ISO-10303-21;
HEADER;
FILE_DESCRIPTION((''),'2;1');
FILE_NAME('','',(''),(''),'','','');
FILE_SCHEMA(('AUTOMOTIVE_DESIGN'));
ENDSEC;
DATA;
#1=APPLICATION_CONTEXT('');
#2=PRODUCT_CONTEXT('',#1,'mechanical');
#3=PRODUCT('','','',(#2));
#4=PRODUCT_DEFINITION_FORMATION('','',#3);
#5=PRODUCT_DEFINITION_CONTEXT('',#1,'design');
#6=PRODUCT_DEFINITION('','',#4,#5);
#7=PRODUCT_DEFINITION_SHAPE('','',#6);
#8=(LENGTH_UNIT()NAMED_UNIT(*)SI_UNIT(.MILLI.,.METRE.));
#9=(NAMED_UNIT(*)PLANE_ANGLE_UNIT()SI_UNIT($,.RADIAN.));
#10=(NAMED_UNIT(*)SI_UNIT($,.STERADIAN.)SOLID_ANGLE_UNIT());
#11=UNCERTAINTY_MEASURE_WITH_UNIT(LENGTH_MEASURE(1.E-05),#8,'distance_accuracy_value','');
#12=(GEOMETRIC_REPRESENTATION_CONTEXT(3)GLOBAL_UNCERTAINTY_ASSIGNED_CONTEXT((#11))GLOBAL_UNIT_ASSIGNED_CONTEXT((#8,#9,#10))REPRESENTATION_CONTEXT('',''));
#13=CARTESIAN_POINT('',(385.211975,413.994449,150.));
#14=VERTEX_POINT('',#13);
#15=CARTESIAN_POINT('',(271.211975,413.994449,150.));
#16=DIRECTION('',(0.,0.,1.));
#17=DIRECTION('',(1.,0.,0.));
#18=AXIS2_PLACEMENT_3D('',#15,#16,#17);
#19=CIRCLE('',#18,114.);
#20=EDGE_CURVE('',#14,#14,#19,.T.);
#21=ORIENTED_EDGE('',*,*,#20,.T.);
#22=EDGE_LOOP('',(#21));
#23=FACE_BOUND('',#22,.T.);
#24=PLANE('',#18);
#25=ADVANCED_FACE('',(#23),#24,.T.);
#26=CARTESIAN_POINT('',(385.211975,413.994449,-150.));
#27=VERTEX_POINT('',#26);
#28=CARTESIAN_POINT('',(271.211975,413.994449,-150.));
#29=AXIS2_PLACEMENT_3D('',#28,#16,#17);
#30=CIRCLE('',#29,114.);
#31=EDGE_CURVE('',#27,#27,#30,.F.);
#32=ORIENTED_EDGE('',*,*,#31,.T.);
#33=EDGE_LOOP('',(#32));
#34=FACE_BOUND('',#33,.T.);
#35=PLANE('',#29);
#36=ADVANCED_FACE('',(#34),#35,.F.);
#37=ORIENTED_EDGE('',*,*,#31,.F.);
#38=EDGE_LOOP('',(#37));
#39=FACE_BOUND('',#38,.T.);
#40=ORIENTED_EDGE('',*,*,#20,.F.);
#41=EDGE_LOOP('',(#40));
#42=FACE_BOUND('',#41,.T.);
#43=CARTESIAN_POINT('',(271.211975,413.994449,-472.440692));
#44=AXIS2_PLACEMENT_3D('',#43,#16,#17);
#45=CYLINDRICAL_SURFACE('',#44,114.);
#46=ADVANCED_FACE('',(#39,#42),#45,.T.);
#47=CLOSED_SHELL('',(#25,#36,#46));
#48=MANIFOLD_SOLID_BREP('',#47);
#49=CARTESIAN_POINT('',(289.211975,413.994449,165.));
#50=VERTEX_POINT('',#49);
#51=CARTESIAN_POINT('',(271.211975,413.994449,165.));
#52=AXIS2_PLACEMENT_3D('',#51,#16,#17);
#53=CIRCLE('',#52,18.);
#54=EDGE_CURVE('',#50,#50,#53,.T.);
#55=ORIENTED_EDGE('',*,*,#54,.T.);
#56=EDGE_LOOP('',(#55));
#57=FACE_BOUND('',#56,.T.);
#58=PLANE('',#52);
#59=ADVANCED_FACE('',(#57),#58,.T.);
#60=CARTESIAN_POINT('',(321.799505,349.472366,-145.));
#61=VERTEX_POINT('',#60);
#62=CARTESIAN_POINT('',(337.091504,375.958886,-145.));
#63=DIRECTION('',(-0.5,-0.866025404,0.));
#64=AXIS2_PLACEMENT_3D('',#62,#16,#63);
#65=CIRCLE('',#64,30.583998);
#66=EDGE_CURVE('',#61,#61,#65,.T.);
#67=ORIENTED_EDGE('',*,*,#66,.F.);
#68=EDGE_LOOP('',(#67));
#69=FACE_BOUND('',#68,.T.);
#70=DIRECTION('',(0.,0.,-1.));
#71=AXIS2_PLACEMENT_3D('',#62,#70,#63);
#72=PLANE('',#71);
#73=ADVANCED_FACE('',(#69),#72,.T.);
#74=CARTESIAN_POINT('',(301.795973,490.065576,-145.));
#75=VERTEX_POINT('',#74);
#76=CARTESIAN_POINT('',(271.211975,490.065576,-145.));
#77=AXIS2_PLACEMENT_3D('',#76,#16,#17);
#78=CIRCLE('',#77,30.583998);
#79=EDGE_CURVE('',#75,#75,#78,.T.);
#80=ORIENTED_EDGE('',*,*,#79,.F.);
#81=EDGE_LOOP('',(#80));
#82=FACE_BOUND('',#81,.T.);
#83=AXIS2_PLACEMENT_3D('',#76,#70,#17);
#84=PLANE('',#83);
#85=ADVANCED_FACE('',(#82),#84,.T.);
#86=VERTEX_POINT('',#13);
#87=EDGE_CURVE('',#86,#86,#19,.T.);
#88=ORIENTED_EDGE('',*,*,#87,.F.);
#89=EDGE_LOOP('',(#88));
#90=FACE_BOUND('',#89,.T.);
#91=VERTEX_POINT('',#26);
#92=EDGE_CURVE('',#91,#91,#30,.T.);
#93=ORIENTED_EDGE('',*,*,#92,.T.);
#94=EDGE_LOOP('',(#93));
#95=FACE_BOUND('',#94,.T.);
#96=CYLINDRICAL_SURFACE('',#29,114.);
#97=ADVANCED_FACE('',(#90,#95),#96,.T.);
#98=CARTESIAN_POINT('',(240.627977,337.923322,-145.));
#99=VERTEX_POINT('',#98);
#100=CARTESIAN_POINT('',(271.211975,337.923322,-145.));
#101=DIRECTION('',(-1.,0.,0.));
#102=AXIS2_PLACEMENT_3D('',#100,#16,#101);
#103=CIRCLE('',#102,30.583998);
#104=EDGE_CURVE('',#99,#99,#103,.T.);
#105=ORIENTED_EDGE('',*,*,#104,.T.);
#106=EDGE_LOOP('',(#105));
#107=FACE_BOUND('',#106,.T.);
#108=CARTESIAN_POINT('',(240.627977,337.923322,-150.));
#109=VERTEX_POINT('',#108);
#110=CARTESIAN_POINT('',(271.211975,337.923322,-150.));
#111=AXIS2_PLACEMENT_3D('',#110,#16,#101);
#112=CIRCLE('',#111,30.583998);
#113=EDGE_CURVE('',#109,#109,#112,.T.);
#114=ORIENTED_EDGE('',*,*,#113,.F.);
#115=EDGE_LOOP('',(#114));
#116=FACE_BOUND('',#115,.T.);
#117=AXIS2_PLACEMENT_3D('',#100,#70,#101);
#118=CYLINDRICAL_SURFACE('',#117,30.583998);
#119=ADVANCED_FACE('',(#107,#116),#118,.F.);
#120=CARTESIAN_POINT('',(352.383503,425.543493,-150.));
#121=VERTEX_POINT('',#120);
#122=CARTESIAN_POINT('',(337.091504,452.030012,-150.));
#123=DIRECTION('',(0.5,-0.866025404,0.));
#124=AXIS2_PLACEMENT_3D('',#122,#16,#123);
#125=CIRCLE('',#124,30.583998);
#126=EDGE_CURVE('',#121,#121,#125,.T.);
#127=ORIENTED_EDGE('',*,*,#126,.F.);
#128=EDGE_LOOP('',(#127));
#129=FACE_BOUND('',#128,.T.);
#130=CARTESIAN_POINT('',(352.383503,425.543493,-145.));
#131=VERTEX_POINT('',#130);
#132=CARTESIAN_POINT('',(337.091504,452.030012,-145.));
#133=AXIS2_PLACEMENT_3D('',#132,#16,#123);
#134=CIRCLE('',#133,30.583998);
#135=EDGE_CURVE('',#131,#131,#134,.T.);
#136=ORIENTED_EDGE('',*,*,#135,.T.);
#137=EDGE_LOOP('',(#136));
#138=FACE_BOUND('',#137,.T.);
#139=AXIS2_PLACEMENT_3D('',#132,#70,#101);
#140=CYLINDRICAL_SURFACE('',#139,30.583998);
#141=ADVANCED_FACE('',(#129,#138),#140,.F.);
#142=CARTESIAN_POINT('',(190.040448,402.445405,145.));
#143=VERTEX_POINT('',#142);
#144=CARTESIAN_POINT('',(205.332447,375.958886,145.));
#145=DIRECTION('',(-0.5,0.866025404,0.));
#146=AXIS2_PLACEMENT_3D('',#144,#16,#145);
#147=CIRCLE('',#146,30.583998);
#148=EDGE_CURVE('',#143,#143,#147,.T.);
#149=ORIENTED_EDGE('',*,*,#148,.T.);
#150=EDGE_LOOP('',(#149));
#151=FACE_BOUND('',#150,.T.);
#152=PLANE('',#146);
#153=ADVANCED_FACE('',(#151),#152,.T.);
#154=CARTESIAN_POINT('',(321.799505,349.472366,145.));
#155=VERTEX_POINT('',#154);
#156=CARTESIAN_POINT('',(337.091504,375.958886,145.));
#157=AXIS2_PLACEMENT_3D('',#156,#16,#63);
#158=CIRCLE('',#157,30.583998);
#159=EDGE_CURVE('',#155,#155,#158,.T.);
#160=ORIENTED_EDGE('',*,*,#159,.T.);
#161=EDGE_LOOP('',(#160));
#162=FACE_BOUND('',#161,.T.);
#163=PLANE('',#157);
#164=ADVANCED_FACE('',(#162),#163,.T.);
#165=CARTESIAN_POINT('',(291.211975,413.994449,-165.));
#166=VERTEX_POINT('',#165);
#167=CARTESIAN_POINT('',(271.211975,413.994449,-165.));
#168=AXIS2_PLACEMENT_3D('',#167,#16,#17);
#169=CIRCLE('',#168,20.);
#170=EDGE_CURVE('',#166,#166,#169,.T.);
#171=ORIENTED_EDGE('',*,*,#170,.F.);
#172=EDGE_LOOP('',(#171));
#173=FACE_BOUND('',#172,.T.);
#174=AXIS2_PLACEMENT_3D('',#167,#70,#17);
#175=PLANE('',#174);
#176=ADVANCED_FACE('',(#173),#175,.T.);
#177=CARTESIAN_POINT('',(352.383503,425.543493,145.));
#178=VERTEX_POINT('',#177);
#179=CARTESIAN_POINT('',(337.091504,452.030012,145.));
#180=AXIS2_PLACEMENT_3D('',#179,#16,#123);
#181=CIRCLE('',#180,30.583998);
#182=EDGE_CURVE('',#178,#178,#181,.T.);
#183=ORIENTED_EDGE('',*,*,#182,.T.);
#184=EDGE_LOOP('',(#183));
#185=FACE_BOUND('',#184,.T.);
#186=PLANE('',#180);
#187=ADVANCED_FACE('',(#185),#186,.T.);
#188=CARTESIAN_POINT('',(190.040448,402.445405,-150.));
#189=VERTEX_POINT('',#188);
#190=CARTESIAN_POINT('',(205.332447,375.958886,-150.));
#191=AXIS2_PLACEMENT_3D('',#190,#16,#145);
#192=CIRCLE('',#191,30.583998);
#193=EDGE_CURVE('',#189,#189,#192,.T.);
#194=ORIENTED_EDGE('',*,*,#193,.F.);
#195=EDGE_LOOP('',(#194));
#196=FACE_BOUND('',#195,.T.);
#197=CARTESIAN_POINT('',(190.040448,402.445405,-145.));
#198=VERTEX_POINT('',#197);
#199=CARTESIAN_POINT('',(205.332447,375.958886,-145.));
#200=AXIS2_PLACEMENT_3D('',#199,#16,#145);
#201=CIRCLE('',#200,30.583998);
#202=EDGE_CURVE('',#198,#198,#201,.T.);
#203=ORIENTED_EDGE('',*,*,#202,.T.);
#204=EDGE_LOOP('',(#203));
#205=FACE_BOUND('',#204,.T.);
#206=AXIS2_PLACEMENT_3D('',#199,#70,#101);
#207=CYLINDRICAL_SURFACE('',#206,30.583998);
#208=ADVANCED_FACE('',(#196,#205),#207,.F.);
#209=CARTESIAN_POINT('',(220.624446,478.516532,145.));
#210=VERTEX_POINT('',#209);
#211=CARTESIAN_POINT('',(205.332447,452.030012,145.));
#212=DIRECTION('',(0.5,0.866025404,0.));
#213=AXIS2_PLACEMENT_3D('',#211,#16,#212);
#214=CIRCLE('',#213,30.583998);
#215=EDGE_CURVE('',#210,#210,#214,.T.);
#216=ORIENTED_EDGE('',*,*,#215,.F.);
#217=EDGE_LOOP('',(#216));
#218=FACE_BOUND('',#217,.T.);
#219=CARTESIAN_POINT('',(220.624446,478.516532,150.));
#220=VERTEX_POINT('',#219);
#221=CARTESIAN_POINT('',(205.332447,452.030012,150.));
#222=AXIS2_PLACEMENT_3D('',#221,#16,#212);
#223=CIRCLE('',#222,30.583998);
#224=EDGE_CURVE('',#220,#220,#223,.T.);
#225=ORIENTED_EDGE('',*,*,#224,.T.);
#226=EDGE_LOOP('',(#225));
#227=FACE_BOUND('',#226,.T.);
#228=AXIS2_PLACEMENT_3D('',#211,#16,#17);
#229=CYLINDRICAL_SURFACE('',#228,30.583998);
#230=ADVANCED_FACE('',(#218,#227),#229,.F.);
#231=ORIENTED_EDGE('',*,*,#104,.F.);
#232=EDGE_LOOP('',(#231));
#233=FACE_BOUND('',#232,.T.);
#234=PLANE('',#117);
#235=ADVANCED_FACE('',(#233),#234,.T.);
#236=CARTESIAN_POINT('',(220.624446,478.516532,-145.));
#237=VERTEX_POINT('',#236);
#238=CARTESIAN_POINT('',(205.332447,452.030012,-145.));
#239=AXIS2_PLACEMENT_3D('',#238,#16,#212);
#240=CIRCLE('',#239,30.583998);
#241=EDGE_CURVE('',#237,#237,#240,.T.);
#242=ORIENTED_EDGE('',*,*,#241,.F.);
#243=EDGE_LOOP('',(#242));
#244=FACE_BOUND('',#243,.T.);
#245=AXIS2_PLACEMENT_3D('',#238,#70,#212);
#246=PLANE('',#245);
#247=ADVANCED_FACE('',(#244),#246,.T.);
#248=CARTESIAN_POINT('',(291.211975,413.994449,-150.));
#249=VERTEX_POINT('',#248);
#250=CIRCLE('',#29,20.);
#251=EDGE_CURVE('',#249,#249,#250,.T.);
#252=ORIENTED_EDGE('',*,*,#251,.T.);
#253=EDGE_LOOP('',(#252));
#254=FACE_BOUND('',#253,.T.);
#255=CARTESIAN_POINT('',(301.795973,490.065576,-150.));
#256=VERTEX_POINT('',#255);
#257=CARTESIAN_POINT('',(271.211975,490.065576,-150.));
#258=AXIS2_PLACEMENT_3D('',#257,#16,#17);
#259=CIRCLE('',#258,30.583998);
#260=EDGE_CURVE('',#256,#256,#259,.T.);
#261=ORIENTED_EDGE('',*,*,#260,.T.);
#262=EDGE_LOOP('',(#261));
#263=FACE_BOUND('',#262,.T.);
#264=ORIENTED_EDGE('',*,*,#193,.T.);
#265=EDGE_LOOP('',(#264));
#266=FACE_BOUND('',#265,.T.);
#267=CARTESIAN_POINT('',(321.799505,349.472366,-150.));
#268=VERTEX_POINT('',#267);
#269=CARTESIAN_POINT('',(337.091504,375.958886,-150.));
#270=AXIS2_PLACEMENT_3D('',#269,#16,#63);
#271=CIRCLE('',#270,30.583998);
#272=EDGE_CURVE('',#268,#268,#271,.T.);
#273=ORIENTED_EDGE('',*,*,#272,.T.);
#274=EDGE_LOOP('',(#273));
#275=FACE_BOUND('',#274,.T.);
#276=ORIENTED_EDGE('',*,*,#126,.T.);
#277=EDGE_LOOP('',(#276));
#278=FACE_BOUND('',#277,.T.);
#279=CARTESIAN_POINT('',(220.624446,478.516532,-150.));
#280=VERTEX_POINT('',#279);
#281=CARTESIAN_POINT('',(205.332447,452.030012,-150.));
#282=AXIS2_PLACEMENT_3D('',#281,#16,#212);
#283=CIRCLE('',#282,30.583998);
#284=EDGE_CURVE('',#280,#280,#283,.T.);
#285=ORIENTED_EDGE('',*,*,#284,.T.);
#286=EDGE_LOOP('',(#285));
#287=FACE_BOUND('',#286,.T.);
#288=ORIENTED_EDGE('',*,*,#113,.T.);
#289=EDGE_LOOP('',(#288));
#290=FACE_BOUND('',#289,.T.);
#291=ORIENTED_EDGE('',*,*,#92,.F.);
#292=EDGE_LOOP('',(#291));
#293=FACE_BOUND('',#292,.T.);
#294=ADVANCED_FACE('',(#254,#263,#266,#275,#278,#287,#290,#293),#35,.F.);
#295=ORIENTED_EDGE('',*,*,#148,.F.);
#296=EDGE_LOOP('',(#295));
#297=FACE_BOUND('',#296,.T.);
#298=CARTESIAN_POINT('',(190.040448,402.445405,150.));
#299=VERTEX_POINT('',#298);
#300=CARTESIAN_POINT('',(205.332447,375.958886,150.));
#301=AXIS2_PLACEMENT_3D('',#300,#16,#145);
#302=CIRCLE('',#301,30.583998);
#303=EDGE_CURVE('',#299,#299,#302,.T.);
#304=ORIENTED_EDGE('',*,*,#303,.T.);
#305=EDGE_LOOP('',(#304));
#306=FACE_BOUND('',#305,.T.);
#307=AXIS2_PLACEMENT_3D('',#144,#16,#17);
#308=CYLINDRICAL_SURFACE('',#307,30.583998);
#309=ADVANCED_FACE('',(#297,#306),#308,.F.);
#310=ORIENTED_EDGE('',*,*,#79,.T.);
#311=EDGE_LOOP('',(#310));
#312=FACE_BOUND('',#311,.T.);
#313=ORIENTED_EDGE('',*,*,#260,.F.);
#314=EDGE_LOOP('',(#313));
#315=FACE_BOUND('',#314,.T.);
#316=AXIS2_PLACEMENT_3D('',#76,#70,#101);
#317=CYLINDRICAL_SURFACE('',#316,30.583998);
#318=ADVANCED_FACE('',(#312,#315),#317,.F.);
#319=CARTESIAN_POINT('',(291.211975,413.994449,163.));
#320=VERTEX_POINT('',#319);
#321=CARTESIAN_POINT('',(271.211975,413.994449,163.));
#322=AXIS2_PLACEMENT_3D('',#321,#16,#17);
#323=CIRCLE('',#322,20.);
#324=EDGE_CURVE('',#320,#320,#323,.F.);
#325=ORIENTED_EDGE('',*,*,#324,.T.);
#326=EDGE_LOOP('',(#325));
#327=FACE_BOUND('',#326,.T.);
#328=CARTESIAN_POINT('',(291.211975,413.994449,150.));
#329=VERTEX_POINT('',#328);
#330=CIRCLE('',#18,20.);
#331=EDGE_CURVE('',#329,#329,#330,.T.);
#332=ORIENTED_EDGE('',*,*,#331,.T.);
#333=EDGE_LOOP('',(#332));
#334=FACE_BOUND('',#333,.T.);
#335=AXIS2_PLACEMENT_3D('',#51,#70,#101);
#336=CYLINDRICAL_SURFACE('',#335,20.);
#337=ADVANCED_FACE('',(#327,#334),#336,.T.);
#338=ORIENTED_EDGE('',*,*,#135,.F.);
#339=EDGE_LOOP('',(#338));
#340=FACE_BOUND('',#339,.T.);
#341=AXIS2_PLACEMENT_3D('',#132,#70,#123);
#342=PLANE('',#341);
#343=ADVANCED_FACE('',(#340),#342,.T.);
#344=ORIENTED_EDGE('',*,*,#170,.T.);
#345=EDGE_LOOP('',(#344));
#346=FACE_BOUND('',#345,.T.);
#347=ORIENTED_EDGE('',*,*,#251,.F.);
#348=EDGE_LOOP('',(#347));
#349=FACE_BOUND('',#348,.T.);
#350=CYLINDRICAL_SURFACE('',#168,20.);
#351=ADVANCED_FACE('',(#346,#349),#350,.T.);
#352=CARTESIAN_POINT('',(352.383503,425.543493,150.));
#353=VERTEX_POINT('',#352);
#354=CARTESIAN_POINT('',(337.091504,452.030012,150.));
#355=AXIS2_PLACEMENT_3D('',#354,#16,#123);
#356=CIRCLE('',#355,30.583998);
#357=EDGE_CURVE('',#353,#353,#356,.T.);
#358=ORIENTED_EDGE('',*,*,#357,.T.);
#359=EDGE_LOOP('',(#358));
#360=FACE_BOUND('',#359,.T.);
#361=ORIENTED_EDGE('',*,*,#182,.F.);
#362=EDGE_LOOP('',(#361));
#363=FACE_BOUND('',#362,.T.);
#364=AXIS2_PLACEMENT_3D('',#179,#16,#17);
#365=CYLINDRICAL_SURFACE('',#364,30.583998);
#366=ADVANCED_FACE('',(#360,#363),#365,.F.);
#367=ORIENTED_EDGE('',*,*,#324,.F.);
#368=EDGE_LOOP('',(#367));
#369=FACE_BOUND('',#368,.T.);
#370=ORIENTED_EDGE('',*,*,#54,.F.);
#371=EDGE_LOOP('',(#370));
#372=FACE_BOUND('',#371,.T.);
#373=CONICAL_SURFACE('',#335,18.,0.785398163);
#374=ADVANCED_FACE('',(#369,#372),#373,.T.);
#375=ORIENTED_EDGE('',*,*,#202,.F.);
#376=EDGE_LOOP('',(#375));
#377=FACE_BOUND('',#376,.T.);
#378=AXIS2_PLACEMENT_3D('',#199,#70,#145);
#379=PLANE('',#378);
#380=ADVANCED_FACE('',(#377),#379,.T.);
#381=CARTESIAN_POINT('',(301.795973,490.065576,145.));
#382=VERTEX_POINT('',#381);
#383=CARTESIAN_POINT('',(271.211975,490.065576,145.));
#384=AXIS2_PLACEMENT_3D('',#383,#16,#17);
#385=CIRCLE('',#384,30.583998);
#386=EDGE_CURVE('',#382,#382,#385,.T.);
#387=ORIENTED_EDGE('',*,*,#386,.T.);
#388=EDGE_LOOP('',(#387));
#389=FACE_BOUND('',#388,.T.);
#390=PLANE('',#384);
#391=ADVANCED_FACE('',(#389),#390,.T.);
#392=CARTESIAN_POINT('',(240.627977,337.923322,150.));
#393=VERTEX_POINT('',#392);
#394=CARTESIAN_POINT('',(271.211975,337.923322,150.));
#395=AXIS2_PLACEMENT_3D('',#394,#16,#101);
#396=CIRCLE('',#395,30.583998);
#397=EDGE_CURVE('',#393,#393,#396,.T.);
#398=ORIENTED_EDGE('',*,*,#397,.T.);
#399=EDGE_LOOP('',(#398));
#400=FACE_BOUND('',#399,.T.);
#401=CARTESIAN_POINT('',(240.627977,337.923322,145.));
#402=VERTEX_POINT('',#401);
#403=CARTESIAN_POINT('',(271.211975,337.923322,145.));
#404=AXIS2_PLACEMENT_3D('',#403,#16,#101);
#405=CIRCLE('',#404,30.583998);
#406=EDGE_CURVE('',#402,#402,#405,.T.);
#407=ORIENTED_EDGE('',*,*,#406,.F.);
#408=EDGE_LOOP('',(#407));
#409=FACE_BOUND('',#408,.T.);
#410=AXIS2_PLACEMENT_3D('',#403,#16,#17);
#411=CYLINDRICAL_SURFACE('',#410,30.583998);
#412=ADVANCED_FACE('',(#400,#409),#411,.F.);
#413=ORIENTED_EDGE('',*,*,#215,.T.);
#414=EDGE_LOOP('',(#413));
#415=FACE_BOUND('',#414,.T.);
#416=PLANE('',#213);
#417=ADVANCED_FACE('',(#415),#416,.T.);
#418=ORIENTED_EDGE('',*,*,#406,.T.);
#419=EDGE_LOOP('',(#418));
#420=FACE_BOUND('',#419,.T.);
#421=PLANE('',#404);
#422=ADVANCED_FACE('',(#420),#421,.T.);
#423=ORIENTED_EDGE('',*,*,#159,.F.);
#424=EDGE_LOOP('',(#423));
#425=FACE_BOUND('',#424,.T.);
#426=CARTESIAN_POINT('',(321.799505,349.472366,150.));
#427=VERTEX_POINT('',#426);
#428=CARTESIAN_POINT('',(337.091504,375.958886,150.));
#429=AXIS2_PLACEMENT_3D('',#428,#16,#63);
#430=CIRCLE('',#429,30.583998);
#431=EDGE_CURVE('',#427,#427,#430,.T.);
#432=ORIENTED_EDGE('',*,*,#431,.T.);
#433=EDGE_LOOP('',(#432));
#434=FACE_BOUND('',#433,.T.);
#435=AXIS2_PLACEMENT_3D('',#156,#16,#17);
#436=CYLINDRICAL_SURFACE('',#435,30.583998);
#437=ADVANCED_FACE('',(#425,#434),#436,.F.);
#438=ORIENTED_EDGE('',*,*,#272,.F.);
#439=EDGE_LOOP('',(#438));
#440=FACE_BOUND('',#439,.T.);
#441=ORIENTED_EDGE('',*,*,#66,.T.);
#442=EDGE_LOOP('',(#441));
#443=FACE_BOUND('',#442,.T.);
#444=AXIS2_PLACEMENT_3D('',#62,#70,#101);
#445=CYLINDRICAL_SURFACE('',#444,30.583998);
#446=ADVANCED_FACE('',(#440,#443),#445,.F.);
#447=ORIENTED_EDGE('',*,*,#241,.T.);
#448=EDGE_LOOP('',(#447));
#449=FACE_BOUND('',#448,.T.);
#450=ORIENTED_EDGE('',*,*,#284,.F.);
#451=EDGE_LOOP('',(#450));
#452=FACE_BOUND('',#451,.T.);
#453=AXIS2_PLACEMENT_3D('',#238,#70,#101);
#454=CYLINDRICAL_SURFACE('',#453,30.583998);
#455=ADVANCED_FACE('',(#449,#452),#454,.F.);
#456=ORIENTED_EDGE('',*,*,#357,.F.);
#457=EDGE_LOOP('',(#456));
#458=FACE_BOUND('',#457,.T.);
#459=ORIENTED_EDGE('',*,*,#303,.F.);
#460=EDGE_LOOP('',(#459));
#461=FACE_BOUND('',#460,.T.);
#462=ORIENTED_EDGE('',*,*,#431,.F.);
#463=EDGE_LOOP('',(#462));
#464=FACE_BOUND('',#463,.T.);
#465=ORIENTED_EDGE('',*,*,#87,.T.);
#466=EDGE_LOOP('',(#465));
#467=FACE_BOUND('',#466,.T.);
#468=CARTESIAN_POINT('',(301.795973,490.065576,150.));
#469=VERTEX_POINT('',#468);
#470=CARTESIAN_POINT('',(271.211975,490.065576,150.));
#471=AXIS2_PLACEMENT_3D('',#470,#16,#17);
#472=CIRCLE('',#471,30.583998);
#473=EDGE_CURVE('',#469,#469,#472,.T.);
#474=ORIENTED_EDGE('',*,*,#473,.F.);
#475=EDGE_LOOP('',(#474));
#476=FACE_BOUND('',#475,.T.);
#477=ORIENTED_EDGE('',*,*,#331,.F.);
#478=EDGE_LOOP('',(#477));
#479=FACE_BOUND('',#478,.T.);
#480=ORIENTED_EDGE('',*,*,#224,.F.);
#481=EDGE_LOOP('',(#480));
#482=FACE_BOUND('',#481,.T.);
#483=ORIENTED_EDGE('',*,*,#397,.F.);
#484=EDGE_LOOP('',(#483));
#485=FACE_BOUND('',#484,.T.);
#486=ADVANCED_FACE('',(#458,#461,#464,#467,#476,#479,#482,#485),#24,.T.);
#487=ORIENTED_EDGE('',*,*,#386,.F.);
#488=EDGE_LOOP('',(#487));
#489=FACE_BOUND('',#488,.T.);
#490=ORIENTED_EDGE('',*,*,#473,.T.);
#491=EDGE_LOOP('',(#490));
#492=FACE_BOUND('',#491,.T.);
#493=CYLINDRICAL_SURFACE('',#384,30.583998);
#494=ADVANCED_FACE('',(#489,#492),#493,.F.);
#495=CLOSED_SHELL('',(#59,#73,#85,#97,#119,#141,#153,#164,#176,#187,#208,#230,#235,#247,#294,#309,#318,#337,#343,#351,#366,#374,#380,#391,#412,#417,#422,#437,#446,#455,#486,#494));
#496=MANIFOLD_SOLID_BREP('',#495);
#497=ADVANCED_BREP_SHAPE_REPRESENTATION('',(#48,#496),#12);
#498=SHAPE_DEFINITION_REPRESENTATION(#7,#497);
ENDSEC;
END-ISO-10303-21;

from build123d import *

# Parameters (mm, degrees)
SKETCH1_R               = 114
BOSS_EXTRUDE1_DEPTH     = 150
SKETCH2_R               = 30.583998029
CUT_EXTRUDE1_DEPTH      = 5
CIRPATTERN1_COUNT       = 6
MIRROR1_COPY_1_SKETCH_R = 30.583998029
MIRROR1_COPY_1_DEPTH    = 5
MIRROR1_COPY_2_SKETCH_R = 30.583998029
MIRROR1_COPY_2_DEPTH    = 5
MIRROR1_COPY_3_SKETCH_R = 30.583998029
MIRROR1_COPY_3_DEPTH    = 5
MIRROR1_COPY_4_SKETCH_R = 30.583998029
MIRROR1_COPY_4_DEPTH    = 5
MIRROR1_COPY_5_SKETCH_R = 30.583998029
MIRROR1_COPY_5_DEPTH    = 5
SKETCH3_R               = 20
BOSS_EXTRUDE2_DEPTH     = 15
CHAMFER1_SIZE           = 2
SKETCH4_R               = 114
BOSS_EXTRUDE3_DEPTH     = 300


with BuildPart() as part:
    # Sketch1 → Boss-Extrude1 (new, symmetric)
    with BuildSketch(Plane.XY):
        with Locations((271.211975439, 413.994449049)):
            Circle(SKETCH1_R)
    extrude(amount=BOSS_EXTRUDE1_DEPTH, both=True)

    # Sketch2 → Cut-Extrude1 (cut)
    with BuildSketch(Plane.XY.offset(150)):
        with Locations((271.211975439, 490.065575896)):
            Circle(SKETCH2_R)
    cut_extrude1 = extrude(amount=-CUT_EXTRUDE1_DEPTH, mode=Mode.SUBTRACT)

    # CirPattern1: Cut-Extrude1 ×6 about axis
    cirpattern1_axis = Axis((271.211975439, 413.994449049, 0), (0, 0, 1))
    for i in range(1, CIRPATTERN1_COUNT):
        add(cut_extrude1.rotate(cirpattern1_axis, i * 360 / CIRPATTERN1_COUNT), mode=Mode.SUBTRACT)

    # Mirror1: Cut-Extrude1 across plane
    add(cut_extrude1.mirror(Plane.XY), mode=Mode.SUBTRACT)

    # Mirror1 copy 1 sketch → Mirror1 copy 1 (cut)
    with BuildSketch(Plane(origin=(494.135697622, -27.879236016, -150), x_dir=(0.5000000000000001, 0.8660254037844386, 0), z_dir=(0, 0, -1))):
        with Locations((271.211975439, -490.065575896)):
            Circle(MIRROR1_COPY_1_SKETCH_R)
    extrude(amount=-MIRROR1_COPY_1_DEPTH, mode=Mode.SUBTRACT)

    # Mirror1 copy 2 sketch → Mirror1 copy 2 (cut)
    with BuildSketch(Plane(origin=(765.347673061, 386.115213033, -150), x_dir=(-0.4999999999999998, 0.8660254037844387, 0), z_dir=(0, 0, -1))):
        with Locations((271.211975439, -490.065575896)):
            Circle(MIRROR1_COPY_2_SKETCH_R)
    extrude(amount=-MIRROR1_COPY_2_DEPTH, mode=Mode.SUBTRACT)

    # Mirror1 copy 3 sketch → Mirror1 copy 3 (cut)
    with BuildSketch(Plane(origin=(542.423950878, 827.988898099, -150), x_dir=(-1, 0, 0), z_dir=(0, 0, -1))):
        with Locations((271.211975439, -490.065575896)):
            Circle(MIRROR1_COPY_3_SKETCH_R)
    extrude(amount=-MIRROR1_COPY_3_DEPTH, mode=Mode.SUBTRACT)

    # Mirror1 copy 4 sketch → Mirror1 copy 4 (cut)
    with BuildSketch(Plane(origin=(48.288253256, 855.868134114, -150), x_dir=(-0.5000000000000004, -0.8660254037844384, 0), z_dir=(0, 0, -1))):
        with Locations((271.211975439, -490.065575896)):
            Circle(MIRROR1_COPY_4_SKETCH_R)
    extrude(amount=-MIRROR1_COPY_4_DEPTH, mode=Mode.SUBTRACT)

    # Mirror1 copy 5 sketch → Mirror1 copy 5 (cut)
    with BuildSketch(Plane(origin=(-222.923722183, 441.873685065, -150), x_dir=(0.5000000000000001, -0.8660254037844386, 0), z_dir=(0, 0, -1))):
        with Locations((271.211975439, -490.065575896)):
            Circle(MIRROR1_COPY_5_SKETCH_R)
    extrude(amount=-MIRROR1_COPY_5_DEPTH, mode=Mode.SUBTRACT)

    # Sketch3 → Boss-Extrude2 (add)
    with BuildSketch(Plane.XY.offset(150)):
        with Locations((271.211975439, 413.994449049)):
            Circle(SKETCH3_R)
    boss_extrude2 = extrude(amount=BOSS_EXTRUDE2_DEPTH)

    # Chamfer1
    chamfer1_edges = [part.edges().sort_by_distance(p)[0] for p in [
        (251.211975439, 413.994449049, 165),
    ]]
    chamfer(chamfer1_edges, length=CHAMFER1_SIZE)

    # Mirror4: Boss-Extrude2 across plane
    add(boss_extrude2.mirror(Plane.XY))


with BuildPart() as body_2:
    # Sketch4 → Boss-Extrude3 (new body)
    with BuildSketch(Plane.XY.offset(150)):
        with Locations((271.211975439, 413.994449049)):
            Circle(SKETCH4_R)
    extrude(amount=-BOSS_EXTRUDE3_DEPTH)


solid = Compound([part.part, body_2.part])
